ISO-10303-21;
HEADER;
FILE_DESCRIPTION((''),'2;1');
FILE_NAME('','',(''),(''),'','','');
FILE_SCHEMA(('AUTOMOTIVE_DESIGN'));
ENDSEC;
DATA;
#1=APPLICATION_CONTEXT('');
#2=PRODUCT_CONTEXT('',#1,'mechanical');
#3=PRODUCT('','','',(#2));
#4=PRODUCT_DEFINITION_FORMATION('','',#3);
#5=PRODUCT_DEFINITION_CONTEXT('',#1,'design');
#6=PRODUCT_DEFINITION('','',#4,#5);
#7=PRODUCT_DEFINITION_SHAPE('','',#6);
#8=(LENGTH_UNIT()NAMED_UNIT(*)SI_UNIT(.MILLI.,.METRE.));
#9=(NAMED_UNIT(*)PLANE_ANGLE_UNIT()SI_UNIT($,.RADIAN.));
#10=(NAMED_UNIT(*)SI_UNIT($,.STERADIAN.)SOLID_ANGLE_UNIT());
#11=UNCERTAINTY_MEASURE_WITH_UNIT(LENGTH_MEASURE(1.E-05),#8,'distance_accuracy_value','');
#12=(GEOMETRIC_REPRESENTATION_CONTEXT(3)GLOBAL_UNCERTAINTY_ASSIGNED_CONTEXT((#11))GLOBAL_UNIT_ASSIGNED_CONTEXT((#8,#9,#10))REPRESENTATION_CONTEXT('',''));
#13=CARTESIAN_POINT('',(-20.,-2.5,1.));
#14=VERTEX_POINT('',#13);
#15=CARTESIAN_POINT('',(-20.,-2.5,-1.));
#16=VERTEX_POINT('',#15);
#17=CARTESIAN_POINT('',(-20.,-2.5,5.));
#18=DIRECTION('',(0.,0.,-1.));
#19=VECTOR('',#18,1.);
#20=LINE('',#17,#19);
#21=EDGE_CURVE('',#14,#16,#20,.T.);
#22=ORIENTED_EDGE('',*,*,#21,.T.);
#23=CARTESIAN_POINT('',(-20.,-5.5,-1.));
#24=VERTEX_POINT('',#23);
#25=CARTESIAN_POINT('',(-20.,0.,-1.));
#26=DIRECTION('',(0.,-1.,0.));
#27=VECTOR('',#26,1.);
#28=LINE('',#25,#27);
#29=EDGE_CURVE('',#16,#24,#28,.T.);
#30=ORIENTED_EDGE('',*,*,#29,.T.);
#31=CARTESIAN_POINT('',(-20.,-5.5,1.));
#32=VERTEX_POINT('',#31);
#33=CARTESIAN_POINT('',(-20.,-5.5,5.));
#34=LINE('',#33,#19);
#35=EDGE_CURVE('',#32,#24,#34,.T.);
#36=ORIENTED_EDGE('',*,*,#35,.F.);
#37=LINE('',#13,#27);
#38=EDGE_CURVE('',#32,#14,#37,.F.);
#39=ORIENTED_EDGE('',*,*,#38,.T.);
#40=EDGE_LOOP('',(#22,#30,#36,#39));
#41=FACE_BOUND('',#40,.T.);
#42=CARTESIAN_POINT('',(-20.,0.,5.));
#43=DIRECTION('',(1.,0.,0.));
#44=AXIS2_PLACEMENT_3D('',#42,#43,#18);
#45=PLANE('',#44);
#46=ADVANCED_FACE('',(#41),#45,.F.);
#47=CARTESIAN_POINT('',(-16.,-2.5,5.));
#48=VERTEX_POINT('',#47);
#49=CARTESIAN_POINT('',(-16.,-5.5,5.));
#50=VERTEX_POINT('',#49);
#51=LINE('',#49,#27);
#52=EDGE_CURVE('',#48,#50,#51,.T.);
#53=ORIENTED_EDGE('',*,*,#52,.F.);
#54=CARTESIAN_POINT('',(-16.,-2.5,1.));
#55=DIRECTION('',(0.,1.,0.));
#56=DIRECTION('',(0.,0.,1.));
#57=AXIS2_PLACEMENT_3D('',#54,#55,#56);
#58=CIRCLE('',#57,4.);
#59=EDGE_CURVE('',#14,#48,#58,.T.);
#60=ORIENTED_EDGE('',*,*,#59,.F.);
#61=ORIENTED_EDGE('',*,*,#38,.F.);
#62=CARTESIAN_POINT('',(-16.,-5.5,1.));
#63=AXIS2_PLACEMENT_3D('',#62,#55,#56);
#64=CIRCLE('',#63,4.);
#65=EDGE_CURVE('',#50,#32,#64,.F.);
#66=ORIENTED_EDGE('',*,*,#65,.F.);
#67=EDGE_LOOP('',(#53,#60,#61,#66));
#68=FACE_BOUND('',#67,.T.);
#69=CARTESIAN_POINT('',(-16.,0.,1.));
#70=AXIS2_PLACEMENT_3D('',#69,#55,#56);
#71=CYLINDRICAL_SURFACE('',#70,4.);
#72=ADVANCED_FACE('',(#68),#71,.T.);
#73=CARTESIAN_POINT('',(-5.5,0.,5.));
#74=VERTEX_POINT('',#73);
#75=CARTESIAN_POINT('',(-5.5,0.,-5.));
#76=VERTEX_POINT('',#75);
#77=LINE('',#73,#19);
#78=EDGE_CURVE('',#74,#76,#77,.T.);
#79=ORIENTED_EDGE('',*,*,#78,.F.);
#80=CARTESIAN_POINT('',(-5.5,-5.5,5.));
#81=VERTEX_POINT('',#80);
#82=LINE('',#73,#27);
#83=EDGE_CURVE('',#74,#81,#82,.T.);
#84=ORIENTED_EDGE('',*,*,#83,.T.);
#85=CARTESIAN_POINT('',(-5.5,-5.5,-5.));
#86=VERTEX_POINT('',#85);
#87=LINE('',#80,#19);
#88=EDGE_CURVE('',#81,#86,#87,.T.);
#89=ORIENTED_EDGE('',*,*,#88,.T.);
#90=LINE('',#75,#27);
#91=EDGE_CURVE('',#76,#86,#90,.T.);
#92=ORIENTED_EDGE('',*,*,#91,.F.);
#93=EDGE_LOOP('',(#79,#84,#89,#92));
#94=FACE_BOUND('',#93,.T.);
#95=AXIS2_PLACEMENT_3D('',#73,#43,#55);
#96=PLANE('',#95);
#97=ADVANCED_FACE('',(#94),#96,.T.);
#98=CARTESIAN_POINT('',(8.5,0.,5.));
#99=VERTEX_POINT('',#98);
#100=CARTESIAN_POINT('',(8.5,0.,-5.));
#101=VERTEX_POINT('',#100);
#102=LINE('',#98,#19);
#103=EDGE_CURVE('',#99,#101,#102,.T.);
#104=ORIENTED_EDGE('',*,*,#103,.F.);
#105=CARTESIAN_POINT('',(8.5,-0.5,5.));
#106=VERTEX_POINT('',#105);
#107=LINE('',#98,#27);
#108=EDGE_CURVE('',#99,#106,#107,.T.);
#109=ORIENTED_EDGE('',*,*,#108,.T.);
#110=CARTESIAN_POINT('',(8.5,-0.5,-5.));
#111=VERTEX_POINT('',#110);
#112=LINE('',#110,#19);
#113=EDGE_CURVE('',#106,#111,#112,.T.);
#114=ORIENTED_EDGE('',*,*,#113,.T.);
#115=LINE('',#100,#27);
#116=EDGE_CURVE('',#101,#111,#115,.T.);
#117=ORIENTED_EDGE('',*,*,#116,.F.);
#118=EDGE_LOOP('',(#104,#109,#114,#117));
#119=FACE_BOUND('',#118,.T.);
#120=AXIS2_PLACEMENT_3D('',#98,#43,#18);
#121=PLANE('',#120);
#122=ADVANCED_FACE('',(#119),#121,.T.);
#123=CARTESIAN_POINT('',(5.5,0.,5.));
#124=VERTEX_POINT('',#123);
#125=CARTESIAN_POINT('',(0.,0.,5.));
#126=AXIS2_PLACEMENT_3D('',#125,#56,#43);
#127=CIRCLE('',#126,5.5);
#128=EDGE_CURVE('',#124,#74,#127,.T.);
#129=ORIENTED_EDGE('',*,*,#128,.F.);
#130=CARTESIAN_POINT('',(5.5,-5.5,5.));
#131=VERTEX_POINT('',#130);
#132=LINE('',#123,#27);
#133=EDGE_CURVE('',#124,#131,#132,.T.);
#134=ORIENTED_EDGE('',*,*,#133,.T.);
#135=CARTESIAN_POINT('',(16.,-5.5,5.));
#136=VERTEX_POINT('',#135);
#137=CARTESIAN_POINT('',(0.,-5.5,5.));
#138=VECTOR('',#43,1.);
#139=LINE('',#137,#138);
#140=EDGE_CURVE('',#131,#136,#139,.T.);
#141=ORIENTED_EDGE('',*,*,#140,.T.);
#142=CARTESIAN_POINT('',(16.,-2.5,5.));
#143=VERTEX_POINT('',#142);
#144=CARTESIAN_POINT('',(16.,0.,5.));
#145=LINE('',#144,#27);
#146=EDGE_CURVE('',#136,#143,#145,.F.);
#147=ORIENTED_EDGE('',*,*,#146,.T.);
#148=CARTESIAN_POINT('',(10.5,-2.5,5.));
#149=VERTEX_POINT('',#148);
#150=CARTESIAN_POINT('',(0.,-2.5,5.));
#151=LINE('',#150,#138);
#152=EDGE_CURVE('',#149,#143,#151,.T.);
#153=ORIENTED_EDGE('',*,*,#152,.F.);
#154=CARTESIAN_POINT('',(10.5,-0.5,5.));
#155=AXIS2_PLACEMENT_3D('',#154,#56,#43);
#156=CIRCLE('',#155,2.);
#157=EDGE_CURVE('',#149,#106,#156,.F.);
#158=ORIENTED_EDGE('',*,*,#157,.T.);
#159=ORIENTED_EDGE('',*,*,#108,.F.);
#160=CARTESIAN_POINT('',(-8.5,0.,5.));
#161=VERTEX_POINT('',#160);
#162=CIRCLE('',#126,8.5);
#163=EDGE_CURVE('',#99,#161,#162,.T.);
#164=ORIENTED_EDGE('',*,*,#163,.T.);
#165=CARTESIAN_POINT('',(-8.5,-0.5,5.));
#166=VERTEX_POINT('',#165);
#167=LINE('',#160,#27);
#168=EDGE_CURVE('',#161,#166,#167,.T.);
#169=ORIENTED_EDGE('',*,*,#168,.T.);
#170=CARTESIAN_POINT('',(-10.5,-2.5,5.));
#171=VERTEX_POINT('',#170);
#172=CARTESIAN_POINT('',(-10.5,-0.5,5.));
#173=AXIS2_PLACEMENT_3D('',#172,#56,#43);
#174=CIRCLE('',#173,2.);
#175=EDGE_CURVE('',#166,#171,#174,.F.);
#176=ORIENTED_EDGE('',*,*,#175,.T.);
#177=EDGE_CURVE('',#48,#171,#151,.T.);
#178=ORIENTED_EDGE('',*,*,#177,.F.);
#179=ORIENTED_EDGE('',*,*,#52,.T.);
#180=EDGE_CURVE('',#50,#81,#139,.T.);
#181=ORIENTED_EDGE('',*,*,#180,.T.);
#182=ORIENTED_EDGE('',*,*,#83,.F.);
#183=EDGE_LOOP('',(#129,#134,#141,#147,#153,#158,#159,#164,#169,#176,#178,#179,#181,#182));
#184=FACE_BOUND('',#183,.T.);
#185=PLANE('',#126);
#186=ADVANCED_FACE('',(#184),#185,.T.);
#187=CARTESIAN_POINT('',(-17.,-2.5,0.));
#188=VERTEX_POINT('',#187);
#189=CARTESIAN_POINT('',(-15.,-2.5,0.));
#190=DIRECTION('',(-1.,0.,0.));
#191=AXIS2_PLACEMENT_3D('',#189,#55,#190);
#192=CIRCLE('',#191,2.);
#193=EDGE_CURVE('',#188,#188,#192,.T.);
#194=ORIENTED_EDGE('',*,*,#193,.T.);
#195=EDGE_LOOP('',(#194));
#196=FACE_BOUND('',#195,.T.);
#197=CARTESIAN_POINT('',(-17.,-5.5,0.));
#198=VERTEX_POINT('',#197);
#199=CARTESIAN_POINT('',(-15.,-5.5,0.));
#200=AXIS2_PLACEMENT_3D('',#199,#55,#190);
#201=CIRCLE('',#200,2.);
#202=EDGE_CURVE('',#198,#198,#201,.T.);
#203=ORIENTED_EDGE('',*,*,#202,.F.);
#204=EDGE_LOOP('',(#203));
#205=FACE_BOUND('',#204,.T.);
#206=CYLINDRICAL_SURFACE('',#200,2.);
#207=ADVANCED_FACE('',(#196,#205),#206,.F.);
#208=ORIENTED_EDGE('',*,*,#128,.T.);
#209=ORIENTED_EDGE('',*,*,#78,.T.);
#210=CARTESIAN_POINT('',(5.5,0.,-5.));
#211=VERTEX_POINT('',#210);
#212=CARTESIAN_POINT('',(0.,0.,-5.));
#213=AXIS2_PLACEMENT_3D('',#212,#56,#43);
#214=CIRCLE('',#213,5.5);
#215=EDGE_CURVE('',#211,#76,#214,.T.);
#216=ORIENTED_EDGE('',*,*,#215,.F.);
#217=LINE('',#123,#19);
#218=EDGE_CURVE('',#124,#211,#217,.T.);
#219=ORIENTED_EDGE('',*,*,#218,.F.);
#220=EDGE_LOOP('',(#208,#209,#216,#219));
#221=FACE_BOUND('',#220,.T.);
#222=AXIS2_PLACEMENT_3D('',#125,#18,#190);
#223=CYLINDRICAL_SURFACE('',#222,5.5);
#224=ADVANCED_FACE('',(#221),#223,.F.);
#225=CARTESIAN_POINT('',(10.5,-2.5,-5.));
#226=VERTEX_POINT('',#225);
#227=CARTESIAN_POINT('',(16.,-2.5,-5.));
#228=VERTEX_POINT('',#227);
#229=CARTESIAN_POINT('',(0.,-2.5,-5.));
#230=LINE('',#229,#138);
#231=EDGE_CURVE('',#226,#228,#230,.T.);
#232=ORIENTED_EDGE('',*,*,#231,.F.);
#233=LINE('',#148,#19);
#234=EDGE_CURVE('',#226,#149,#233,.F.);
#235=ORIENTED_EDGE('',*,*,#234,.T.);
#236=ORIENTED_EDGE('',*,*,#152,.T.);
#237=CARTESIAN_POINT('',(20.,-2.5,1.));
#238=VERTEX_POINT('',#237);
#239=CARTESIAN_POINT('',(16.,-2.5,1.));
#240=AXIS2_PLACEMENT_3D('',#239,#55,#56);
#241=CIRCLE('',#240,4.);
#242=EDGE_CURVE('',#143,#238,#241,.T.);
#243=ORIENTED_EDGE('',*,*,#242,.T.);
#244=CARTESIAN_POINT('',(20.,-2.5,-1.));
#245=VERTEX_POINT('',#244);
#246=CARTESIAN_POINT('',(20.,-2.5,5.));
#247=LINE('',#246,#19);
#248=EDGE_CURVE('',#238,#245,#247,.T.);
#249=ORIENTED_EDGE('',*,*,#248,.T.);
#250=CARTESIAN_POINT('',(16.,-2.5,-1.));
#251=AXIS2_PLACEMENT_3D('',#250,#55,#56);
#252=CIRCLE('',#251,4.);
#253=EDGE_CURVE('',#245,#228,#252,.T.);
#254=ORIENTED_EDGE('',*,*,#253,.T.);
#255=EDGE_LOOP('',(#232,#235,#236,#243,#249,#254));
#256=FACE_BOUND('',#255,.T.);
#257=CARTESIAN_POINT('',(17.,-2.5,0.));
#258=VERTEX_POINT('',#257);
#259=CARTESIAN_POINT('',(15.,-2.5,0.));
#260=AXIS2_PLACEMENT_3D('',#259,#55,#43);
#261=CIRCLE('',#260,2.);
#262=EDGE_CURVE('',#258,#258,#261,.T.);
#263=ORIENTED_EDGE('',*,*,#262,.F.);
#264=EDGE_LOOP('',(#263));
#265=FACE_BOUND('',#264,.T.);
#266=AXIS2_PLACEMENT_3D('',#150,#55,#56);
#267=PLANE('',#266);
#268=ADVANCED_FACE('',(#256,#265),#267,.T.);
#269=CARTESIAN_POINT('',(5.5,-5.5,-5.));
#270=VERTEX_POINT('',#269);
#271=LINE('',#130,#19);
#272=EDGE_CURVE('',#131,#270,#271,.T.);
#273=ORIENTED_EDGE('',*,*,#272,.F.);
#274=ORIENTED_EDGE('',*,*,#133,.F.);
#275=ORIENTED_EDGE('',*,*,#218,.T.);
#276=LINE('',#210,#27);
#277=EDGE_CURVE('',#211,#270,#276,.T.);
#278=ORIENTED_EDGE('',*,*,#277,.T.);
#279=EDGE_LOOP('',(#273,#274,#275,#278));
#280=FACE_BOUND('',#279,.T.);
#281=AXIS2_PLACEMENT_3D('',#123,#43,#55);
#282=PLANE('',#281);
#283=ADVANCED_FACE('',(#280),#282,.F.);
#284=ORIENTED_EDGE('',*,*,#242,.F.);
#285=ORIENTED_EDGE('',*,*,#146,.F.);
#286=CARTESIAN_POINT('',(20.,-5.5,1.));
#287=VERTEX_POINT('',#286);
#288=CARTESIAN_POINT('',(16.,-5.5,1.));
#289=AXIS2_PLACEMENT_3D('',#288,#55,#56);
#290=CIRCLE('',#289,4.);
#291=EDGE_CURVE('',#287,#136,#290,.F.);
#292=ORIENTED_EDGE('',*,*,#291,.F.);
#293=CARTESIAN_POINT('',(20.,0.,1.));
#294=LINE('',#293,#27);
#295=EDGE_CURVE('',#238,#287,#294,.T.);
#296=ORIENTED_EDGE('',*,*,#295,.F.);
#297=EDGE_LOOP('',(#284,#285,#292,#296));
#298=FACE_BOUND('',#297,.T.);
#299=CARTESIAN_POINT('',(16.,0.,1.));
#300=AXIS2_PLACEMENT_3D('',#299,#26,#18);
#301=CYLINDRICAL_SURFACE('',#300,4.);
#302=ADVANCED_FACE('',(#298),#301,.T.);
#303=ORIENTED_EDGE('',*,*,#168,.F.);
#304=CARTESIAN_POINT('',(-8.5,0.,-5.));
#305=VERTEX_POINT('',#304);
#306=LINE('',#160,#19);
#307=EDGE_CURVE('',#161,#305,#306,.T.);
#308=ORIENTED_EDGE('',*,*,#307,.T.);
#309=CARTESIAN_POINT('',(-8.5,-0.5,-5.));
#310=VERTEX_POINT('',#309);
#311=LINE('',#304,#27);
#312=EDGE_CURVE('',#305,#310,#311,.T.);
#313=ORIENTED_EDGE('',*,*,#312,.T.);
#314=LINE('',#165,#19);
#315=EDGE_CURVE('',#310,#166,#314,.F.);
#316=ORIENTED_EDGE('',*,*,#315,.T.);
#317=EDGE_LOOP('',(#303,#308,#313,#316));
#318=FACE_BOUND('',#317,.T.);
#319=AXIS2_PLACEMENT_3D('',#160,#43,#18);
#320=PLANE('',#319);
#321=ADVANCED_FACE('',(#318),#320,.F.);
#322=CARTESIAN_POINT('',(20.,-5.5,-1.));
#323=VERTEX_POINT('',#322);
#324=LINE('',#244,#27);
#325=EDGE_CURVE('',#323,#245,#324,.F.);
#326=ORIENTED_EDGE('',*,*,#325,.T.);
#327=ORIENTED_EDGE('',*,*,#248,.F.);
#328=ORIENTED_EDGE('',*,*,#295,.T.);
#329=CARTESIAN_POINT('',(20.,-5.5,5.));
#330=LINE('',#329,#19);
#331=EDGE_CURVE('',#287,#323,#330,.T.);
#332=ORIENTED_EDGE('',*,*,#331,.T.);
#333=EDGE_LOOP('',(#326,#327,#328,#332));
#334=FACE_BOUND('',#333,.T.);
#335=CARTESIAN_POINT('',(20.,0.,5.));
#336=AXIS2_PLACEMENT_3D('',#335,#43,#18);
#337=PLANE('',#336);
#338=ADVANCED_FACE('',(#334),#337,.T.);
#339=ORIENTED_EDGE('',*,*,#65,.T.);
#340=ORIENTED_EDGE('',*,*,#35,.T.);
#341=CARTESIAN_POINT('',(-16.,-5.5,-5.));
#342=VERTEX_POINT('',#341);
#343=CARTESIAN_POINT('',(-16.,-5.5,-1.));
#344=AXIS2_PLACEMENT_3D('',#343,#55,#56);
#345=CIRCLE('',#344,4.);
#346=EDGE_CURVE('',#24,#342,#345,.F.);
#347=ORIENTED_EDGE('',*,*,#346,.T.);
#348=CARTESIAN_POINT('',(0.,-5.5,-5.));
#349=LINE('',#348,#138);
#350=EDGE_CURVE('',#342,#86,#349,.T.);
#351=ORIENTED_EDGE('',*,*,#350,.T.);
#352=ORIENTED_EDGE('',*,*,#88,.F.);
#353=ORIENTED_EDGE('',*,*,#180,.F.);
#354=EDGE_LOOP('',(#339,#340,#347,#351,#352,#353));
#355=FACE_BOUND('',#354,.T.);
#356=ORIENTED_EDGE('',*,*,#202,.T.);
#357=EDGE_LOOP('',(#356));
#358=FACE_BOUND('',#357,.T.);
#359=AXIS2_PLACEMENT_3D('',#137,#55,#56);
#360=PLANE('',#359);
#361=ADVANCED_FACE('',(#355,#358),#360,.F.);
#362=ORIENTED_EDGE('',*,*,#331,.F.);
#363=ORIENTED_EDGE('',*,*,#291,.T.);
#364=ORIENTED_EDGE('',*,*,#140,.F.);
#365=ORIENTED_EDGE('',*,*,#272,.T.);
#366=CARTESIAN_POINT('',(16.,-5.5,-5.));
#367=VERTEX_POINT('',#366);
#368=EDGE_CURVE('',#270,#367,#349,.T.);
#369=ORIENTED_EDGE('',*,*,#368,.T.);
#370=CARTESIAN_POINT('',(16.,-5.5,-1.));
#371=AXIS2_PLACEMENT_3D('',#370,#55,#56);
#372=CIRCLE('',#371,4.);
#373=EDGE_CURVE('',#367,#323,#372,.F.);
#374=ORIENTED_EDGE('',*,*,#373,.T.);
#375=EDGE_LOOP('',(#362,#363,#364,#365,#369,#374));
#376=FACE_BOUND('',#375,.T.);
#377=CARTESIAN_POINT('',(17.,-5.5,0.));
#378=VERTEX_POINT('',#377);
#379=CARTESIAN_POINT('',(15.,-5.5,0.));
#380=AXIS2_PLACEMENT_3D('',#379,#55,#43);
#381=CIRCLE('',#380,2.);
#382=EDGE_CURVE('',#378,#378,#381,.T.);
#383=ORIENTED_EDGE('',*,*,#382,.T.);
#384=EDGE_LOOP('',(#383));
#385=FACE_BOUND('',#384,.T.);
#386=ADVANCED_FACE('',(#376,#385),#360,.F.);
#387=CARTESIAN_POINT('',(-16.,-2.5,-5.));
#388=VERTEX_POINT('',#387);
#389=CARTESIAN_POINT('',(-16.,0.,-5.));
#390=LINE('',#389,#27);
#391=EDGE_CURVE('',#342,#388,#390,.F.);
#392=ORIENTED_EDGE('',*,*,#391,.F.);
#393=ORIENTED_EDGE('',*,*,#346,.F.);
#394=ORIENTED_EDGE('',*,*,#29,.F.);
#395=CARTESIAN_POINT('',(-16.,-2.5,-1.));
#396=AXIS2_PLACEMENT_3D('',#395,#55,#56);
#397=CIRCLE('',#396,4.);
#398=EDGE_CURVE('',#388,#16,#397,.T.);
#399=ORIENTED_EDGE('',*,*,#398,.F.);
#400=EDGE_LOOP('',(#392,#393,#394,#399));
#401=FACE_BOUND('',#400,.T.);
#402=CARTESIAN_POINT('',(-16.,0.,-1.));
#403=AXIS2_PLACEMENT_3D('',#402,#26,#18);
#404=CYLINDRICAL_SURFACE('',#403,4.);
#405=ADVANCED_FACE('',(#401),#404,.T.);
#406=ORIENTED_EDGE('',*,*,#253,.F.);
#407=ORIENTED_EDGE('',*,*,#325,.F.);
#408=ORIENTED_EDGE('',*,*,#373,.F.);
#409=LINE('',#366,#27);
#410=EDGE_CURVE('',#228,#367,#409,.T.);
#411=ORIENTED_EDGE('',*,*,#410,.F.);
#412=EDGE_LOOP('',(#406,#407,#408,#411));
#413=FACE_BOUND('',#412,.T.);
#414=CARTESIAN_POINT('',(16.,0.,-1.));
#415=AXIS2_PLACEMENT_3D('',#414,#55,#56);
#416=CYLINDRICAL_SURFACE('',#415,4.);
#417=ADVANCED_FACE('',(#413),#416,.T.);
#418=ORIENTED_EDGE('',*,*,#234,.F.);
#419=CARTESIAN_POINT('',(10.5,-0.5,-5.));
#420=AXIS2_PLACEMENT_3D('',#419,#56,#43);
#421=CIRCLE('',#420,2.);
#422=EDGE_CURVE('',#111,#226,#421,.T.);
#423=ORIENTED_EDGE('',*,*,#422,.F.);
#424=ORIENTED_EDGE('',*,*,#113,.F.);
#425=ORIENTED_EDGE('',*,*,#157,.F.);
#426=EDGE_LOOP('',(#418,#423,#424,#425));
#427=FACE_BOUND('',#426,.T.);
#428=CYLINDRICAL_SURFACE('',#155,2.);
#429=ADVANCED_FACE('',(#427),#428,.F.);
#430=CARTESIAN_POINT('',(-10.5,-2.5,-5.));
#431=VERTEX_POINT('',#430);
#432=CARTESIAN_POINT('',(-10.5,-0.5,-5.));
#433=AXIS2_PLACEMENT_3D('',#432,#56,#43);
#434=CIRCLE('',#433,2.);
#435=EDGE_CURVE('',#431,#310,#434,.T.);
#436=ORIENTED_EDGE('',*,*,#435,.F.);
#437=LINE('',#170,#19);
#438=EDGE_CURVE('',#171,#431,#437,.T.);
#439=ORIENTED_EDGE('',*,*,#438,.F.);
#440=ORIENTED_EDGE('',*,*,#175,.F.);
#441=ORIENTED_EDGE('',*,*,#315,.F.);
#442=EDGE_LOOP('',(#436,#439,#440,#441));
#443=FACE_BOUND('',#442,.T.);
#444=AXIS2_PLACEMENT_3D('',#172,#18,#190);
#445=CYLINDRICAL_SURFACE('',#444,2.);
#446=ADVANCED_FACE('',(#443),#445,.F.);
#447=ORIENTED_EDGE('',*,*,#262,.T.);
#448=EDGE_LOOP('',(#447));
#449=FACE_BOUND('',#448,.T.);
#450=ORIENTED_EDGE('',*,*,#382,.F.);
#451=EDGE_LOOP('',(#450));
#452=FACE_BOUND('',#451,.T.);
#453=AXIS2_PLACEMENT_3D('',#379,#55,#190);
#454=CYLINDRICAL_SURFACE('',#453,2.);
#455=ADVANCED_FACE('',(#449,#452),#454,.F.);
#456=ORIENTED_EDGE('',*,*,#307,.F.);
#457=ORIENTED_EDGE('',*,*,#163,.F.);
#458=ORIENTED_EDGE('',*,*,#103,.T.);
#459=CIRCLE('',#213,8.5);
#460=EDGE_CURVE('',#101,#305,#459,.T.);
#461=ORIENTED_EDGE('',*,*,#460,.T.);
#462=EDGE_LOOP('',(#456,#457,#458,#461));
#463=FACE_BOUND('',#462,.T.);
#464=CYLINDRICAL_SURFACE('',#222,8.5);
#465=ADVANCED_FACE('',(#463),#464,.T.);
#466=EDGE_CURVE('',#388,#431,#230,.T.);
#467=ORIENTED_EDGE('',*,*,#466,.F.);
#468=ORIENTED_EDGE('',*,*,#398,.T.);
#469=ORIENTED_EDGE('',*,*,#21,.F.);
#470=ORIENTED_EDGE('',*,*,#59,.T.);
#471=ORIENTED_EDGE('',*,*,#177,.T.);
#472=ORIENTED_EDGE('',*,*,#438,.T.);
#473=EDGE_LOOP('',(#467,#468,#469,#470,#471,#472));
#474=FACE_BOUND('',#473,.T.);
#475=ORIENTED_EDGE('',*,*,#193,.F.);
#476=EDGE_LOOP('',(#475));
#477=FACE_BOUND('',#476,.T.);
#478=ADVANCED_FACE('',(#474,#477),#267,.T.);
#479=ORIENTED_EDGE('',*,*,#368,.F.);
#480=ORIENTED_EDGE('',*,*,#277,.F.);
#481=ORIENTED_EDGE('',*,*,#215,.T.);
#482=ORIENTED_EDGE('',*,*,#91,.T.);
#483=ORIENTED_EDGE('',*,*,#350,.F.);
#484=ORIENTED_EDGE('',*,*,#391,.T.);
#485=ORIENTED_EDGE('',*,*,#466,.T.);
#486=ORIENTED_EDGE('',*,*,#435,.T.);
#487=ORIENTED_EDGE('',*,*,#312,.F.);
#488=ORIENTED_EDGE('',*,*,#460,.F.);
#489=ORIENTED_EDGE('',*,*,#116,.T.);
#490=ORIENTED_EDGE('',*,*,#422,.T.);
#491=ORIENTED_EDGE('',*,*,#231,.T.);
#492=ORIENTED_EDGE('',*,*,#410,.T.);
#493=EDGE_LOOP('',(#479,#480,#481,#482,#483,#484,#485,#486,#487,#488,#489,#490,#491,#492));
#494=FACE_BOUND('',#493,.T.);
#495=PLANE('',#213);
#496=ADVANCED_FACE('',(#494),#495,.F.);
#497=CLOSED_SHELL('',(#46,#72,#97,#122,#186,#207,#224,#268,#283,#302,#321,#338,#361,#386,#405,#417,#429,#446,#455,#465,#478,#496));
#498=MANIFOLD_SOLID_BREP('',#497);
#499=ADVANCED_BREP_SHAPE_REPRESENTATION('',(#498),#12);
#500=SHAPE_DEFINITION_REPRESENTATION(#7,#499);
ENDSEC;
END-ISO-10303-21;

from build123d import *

# Parameters (mm, degrees)
BOSS_EXTRUDE1_DEPTH = 5
SKETCH2_R           = 2
CUT_EXTRUDE1_DEPTH  = 4
FILLET1_R           = 4
FILLET2_R           = 2


with BuildPart() as part:
    # Sketch1 → Boss-Extrude1 (new body, symmetric)
    with BuildSketch(Plane.XY):
        with BuildLine():
            Line((-5.5, -2.5), (-5.5, 0))
            ThreePointArc((-5.5, 0), (0, 5.5), (5.5, 0))
            Line((5.5, 0), (5.5, -2.5))
            Line((5.5, -2.5), (8.124038405, -2.5))
            ThreePointArc((8.124038405, -2.5), (8.405484116, -1.264055687), (8.5, 0))
            ThreePointArc((8.5, 0), (0, 8.5), (-8.5, 0))
            ThreePointArc((-8.5, 0), (-8.405484116, -1.264055687), (-8.124038405, -2.5))
            Line((-8.124038405, -2.5), (-5.5, -2.5))
        make_face()
        with BuildLine():
            Line((-5.5, -5.5), (-5.5, -2.5))
            Line((-5.5, -2.5), (-8.124038405, -2.5))
            ThreePointArc((-8.124038405, -2.5), (-7.454857018, -4.083516479), (-6.480740698, -5.5))
            Line((-6.480740698, -5.5), (-5.5, -5.5))
        make_face()
        with BuildLine():
            ThreePointArc((-6.480740698, -5.5), (-7.454857018, -4.083516479), (-8.124038405, -2.5))
            Line((-8.124038405, -2.5), (-8.5, -2.5))
            Line((-8.5, -2.5), (-20, -2.5))
            Line((-20, -2.5), (-20, -5.5))
            Line((-20, -5.5), (-6.480740698, -5.5))
        make_face()
        with BuildLine():
            Line((8.124038405, -2.5), (5.5, -2.5))
            Line((5.5, -2.5), (5.5, -5.5))
            Line((5.5, -5.5), (6.480740698, -5.5))
            ThreePointArc((6.480740698, -5.5), (7.454857018, -4.083516479), (8.124038405, -2.5))
        make_face()
        with BuildLine():
            Line((8.5, -2.5), (8.124038405, -2.5))
            ThreePointArc((8.124038405, -2.5), (7.454857018, -4.083516479), (6.480740698, -5.5))
            Line((6.480740698, -5.5), (20, -5.5))
            Line((20, -5.5), (20, -2.5))
            Line((20, -2.5), (8.5, -2.5))
        make_face()
        with BuildLine():
            ThreePointArc((8.5, 0), (8.405484116, -1.264055687), (8.124038405, -2.5))
            Line((8.124038405, -2.5), (8.5, -2.5))
            Line((8.5, -2.5), (8.5, 0))
        make_face()
        with BuildLine():
            Line((-8.5, -2.5), (-8.124038405, -2.5))
            ThreePointArc((-8.124038405, -2.5), (-8.405484116, -1.264055687), (-8.5, 0))
            Line((-8.5, 0), (-8.5, -2.5))
        make_face()
    extrude(amount=BOSS_EXTRUDE1_DEPTH, both=True)

    # Sketch2 → Cut-Extrude1 (cut, through all)
    with BuildSketch(Plane(origin=(0, -2.5, 0), x_dir=(1, 0, 0), z_dir=(0, 1, 0))):
        with Locations((-15, 0)):
            Circle(SKETCH2_R)
        with Locations((15, 0)):
            Circle(SKETCH2_R)
    extrude(amount=-CUT_EXTRUDE1_DEPTH, mode=Mode.SUBTRACT)

    # Fillet1
    fillet1_edges = [part.edges().sort_by_distance(p)[0] for p in [
        (20, -4, -5),
        (-20, -4, -5),
        (-20, -4, 5),
        (20, -4, 5),
    ]]
    fillet(fillet1_edges, radius=FILLET1_R)

    # Fillet2
    fillet2_edges = [part.edges().sort_by_distance(p)[0] for p in [
        (-8.5, -2.5, 0),
        (8.5, -2.5, 0),
    ]]
    fillet(fillet2_edges, radius=FILLET2_R)


solid = part.part
